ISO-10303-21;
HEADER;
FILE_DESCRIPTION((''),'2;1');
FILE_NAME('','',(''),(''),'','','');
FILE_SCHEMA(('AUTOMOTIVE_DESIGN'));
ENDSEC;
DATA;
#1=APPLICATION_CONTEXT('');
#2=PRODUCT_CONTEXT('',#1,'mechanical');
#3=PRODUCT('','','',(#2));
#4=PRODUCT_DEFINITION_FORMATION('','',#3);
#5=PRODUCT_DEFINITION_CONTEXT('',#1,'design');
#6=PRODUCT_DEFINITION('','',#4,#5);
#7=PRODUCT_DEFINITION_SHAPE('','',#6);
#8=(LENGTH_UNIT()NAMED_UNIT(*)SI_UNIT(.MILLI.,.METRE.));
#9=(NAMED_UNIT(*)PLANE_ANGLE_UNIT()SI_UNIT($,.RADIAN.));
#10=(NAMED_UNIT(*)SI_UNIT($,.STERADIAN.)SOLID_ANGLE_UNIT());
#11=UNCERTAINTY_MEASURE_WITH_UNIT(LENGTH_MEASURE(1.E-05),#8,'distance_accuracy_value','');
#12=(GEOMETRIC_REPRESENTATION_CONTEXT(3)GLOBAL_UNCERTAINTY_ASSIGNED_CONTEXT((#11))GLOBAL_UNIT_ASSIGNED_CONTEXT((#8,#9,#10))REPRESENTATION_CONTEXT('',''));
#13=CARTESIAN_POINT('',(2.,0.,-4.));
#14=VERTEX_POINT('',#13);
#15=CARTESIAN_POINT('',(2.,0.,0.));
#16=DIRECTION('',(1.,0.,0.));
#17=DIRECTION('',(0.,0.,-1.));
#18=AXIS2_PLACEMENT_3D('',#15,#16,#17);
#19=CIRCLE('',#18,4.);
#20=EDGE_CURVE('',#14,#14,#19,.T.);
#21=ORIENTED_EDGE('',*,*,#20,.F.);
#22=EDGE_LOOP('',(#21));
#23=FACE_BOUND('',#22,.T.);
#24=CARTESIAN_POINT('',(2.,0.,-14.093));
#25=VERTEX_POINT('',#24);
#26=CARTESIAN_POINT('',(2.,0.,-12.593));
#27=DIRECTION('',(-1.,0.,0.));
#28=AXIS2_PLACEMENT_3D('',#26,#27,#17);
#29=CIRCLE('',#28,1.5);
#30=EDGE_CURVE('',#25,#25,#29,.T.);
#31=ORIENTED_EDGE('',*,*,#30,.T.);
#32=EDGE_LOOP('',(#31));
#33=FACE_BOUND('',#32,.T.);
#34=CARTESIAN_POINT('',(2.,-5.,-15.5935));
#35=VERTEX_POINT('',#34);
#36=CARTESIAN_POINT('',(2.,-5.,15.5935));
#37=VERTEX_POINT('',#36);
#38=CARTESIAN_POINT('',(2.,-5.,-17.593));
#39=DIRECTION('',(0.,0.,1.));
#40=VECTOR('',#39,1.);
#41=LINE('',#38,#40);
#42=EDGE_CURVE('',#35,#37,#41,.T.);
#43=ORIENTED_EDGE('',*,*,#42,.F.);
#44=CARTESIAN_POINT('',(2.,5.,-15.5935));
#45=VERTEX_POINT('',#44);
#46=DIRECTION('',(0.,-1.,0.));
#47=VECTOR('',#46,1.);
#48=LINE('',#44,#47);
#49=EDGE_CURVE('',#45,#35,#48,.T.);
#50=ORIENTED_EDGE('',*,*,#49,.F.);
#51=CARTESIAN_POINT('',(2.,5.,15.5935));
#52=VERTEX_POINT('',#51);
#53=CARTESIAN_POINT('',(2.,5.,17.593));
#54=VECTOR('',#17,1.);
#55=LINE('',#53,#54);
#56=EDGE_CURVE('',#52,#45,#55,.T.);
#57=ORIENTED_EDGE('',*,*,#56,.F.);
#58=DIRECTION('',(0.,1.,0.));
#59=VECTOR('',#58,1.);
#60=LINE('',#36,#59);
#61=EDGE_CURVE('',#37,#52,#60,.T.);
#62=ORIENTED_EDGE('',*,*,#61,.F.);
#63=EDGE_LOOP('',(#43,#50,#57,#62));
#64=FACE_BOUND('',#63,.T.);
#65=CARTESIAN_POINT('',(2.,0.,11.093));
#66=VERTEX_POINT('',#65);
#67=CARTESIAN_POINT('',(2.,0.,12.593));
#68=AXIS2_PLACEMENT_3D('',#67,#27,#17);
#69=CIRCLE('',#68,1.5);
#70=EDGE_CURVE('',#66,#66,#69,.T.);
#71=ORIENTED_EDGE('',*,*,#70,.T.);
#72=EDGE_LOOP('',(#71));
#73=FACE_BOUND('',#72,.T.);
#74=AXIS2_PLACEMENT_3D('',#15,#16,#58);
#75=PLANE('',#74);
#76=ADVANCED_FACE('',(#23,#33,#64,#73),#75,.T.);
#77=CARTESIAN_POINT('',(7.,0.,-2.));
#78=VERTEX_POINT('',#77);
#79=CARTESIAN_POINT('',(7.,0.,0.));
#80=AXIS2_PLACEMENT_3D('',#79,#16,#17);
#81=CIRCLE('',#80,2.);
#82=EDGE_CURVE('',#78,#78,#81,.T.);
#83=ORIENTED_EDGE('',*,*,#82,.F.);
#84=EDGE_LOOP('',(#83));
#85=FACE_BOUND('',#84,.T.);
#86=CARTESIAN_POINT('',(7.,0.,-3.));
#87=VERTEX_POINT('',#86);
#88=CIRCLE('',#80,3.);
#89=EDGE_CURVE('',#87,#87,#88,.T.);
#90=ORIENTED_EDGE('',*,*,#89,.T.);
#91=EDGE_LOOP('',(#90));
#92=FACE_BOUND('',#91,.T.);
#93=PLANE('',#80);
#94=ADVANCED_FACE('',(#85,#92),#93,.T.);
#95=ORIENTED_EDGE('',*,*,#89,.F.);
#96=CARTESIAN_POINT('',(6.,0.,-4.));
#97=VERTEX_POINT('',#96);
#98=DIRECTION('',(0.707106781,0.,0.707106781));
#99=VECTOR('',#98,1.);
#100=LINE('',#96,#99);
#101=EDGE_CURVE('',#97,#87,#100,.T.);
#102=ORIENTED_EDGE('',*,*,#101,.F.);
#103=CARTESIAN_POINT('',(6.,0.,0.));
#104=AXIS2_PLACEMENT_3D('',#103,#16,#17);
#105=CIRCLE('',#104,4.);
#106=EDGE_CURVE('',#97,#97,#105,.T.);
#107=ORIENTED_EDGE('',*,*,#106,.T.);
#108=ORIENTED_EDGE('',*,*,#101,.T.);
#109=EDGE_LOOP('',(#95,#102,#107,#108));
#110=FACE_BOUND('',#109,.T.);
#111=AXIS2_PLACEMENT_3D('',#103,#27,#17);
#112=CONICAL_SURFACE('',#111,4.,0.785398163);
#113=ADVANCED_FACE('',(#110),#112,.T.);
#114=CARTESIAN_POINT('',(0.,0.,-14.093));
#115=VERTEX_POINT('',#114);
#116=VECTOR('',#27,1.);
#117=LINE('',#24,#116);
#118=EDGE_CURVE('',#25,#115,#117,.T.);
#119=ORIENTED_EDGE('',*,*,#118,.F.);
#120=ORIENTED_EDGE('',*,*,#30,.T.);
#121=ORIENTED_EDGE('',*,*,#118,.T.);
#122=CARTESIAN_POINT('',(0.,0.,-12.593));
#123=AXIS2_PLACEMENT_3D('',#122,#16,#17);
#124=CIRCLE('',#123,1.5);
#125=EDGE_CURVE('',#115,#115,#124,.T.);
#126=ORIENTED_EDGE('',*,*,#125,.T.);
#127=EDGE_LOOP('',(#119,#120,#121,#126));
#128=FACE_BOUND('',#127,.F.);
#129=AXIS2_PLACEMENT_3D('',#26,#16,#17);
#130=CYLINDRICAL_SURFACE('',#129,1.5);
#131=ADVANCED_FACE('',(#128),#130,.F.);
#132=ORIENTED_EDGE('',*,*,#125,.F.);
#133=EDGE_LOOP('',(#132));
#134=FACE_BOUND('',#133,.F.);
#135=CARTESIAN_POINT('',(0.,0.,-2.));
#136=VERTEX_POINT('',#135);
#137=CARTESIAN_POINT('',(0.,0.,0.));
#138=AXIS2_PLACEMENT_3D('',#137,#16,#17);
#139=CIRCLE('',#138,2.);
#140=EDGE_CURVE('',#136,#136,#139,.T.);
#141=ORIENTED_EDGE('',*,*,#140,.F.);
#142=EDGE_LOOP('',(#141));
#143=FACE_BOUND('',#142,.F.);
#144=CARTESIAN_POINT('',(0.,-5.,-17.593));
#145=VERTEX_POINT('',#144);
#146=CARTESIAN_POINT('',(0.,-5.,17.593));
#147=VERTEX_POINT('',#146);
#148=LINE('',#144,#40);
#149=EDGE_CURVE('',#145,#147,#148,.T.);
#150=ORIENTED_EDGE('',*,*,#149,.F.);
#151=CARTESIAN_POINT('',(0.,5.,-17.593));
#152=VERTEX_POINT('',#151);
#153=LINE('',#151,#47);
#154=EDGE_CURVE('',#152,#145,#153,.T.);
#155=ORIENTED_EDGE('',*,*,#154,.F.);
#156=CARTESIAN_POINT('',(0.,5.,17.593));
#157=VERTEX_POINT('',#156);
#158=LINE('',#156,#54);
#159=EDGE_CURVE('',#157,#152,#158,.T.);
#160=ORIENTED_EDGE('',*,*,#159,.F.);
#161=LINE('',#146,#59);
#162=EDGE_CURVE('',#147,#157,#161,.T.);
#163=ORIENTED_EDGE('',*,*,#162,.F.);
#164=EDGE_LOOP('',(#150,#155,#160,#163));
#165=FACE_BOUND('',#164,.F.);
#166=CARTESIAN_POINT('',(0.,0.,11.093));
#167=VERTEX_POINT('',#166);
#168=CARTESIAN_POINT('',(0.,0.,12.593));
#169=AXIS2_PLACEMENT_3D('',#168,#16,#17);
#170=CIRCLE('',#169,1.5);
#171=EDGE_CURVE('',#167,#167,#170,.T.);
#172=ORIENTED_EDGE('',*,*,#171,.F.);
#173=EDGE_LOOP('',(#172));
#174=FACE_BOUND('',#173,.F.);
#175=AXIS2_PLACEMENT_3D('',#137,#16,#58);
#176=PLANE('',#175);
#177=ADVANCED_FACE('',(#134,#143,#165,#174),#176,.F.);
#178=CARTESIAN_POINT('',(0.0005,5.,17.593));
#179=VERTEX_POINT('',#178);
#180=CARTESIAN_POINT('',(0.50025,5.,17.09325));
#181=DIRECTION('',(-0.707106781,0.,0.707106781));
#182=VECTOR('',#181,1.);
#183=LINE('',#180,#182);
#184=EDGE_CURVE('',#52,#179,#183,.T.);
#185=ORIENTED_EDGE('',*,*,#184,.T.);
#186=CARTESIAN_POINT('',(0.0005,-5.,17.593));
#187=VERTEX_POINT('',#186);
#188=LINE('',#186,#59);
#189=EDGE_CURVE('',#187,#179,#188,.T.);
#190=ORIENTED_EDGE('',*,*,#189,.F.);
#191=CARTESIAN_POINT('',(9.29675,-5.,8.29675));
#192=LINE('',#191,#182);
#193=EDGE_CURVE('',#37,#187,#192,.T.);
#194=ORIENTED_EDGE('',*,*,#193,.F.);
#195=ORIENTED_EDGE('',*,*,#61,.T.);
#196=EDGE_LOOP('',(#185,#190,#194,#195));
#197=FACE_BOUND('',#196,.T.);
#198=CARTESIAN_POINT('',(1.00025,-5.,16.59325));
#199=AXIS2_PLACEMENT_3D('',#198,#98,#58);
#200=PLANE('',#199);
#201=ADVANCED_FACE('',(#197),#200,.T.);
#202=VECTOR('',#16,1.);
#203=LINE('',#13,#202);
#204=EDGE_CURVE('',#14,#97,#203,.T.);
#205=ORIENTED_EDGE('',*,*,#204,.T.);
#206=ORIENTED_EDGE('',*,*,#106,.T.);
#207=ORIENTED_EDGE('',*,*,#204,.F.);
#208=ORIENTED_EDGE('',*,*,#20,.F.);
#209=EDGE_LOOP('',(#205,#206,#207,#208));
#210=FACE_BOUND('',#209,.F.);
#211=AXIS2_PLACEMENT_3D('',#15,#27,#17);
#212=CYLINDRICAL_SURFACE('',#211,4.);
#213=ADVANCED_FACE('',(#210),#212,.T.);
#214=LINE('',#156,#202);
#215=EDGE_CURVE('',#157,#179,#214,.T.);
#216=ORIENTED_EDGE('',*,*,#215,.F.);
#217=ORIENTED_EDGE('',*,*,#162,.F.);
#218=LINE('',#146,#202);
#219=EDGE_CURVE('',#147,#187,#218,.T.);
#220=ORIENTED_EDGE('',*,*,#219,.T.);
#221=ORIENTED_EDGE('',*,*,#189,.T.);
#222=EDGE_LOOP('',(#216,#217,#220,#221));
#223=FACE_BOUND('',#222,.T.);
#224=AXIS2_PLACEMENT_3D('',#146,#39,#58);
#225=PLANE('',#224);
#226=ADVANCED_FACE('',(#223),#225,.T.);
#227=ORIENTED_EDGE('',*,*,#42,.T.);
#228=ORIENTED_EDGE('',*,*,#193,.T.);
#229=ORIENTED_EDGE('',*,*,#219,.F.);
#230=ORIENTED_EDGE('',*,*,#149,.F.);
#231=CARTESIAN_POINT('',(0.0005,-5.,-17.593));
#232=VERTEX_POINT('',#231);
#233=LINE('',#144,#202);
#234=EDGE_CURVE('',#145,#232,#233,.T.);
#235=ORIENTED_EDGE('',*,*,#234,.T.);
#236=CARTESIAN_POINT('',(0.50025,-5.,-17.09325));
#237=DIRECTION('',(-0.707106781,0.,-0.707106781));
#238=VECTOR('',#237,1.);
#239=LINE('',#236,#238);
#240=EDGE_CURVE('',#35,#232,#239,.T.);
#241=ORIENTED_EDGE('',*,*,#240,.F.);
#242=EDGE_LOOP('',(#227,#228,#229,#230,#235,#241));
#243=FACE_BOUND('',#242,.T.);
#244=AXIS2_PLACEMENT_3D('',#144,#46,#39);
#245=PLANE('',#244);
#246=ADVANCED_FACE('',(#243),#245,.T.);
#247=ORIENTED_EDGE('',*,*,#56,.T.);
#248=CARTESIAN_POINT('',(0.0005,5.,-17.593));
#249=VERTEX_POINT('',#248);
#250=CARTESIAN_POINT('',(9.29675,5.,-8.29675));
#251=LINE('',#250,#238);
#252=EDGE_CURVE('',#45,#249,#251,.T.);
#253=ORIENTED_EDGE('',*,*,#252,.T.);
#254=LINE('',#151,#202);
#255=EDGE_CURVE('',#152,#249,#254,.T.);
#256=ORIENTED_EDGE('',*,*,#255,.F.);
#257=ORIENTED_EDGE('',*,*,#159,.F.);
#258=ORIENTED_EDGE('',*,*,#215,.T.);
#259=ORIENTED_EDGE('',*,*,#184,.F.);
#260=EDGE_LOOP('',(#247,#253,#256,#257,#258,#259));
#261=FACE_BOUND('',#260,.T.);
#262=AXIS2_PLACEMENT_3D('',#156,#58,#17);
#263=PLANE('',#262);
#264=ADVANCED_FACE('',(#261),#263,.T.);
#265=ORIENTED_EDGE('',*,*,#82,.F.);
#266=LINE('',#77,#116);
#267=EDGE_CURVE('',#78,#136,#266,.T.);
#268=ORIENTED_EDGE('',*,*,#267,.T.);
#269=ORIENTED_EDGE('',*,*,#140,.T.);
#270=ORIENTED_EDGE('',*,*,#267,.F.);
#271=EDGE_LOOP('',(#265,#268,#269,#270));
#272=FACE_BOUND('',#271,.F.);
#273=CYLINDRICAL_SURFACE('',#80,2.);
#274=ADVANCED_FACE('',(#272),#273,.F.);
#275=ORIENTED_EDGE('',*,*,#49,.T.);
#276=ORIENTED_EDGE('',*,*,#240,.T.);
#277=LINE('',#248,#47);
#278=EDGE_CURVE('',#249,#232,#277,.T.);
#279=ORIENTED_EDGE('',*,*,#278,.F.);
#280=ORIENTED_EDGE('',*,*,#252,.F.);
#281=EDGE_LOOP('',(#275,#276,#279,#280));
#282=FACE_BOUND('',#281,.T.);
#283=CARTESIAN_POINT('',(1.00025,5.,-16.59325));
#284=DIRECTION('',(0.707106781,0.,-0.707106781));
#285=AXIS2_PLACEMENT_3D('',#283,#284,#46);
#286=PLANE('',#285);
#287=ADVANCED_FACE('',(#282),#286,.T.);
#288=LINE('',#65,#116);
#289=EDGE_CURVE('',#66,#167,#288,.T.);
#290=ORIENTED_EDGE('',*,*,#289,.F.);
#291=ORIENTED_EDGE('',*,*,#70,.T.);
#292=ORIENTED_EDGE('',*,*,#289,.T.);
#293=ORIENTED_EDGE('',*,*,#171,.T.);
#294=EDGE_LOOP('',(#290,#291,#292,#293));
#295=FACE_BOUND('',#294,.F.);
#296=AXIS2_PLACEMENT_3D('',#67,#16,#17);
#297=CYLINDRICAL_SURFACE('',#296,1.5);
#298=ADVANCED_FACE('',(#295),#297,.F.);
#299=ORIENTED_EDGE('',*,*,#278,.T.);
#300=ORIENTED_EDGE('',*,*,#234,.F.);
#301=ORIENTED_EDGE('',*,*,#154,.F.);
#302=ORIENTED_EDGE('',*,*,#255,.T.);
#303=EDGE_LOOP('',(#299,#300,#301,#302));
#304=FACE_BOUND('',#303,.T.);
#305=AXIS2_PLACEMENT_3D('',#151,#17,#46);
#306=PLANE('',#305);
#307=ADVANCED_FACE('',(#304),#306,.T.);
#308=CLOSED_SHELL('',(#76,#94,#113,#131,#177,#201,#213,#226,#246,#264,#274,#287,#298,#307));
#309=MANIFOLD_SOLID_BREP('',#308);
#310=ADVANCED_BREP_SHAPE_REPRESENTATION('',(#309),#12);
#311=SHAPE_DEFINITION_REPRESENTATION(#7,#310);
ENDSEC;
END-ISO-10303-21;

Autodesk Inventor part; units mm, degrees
ref_plane "YZ Plane" through (0, 0, 0) normal (1, 0, 0) x (0, 1, 0)
ref_plane "XZ Plane" through (0, 0, 0) normal (0, 1, 0) x (-1, 0, 0)
ref_plane "XY Plane" through (0, 0, 0) normal (0, 0, 1) x (1, 0, 0)
sketch "Sketch1" plane through (0, 0, 0) normal (1, 0, 0) x (0, 1, 0)
  line L0 (5, -17.593) -> (-5, -17.593)
  line L1 (-5, -17.593) -> (-5, 17.593)
  line L2 (-5, 17.593) -> (5, 17.593)
  line L3 (5, 17.593) -> (5, -17.593)
  line L4 (5, -17.593) -> (-5, 17.593) construction
  line L5 (-5, -17.593) -> (5, 17.593) construction
  point P0 (0, 0)
  dimension "d0" = 35.186
  dimension "d2" = 10
extrude "Extrusion1" add sketch "Sketch1" along normal blind 2
sketch "Sketch2" plane through (2, 0, 0) normal (1, 0, 0) x (0, 0, -1)
  circle A0 centre (0, 0) radius 4
  dimension "d5" = 8
extrude "Extrusion2" add sketch "Sketch2" along normal blind 5
sketch "Sketch3" plane through (7, 0, 0) normal (1, 0, 0) x (0, 0, -1)
  circle A0 centre (0, 0) radius 4 projected
  circle A1 centre (0, 0) radius 2
  dimension "d8" = 4
extrude "Extrusion3" cut sketch "Sketch3" against normal blind 7 contours A1
sketch "Sketch4" plane through (2, 0, 0) normal (1, 0, 0) x (0, 0, -1)
  line L0 (-17.593, 5) -> (-12.593, 5)
  line L1 (-12.593, 5) -> (-12.593, 0)
  line L2 (-12.593, 0) -> (-17.593, 0)
  line L3 (-17.593, 0) -> (-17.593, 5)
  line L4 (17.593, 5) -> (12.593, 5)
  line L5 (12.593, 5) -> (12.593, 0)
  line L6 (12.593, 0) -> (17.593, 0)
  line L7 (17.593, 0) -> (17.593, 5)
  circle A0 centre (-12.593, 0) radius 1.5
  circle A1 centre (12.593, 0) radius 1.5
  dimension "d11" = 5
  dimension "d12" = 5
  dimension "d13" = 3
  dimension "d14" = 3
extrude "Extrusion4" cut sketch "Sketch4" against normal blind 2 contours A0 L2 L1 | L1 L2 A0 | A1 L6 L5 | L5 L6 A1
chamfer "Chamfer1" distance 1 angle 45 1 edges at (7, 0, 4)
chamfer "Chamfer2" distance 2 angle 45 2 edges at (2, 0, -17.593) (2, 0, 17.593)
properties part number "paka_packa" material "Iron, Cast"
